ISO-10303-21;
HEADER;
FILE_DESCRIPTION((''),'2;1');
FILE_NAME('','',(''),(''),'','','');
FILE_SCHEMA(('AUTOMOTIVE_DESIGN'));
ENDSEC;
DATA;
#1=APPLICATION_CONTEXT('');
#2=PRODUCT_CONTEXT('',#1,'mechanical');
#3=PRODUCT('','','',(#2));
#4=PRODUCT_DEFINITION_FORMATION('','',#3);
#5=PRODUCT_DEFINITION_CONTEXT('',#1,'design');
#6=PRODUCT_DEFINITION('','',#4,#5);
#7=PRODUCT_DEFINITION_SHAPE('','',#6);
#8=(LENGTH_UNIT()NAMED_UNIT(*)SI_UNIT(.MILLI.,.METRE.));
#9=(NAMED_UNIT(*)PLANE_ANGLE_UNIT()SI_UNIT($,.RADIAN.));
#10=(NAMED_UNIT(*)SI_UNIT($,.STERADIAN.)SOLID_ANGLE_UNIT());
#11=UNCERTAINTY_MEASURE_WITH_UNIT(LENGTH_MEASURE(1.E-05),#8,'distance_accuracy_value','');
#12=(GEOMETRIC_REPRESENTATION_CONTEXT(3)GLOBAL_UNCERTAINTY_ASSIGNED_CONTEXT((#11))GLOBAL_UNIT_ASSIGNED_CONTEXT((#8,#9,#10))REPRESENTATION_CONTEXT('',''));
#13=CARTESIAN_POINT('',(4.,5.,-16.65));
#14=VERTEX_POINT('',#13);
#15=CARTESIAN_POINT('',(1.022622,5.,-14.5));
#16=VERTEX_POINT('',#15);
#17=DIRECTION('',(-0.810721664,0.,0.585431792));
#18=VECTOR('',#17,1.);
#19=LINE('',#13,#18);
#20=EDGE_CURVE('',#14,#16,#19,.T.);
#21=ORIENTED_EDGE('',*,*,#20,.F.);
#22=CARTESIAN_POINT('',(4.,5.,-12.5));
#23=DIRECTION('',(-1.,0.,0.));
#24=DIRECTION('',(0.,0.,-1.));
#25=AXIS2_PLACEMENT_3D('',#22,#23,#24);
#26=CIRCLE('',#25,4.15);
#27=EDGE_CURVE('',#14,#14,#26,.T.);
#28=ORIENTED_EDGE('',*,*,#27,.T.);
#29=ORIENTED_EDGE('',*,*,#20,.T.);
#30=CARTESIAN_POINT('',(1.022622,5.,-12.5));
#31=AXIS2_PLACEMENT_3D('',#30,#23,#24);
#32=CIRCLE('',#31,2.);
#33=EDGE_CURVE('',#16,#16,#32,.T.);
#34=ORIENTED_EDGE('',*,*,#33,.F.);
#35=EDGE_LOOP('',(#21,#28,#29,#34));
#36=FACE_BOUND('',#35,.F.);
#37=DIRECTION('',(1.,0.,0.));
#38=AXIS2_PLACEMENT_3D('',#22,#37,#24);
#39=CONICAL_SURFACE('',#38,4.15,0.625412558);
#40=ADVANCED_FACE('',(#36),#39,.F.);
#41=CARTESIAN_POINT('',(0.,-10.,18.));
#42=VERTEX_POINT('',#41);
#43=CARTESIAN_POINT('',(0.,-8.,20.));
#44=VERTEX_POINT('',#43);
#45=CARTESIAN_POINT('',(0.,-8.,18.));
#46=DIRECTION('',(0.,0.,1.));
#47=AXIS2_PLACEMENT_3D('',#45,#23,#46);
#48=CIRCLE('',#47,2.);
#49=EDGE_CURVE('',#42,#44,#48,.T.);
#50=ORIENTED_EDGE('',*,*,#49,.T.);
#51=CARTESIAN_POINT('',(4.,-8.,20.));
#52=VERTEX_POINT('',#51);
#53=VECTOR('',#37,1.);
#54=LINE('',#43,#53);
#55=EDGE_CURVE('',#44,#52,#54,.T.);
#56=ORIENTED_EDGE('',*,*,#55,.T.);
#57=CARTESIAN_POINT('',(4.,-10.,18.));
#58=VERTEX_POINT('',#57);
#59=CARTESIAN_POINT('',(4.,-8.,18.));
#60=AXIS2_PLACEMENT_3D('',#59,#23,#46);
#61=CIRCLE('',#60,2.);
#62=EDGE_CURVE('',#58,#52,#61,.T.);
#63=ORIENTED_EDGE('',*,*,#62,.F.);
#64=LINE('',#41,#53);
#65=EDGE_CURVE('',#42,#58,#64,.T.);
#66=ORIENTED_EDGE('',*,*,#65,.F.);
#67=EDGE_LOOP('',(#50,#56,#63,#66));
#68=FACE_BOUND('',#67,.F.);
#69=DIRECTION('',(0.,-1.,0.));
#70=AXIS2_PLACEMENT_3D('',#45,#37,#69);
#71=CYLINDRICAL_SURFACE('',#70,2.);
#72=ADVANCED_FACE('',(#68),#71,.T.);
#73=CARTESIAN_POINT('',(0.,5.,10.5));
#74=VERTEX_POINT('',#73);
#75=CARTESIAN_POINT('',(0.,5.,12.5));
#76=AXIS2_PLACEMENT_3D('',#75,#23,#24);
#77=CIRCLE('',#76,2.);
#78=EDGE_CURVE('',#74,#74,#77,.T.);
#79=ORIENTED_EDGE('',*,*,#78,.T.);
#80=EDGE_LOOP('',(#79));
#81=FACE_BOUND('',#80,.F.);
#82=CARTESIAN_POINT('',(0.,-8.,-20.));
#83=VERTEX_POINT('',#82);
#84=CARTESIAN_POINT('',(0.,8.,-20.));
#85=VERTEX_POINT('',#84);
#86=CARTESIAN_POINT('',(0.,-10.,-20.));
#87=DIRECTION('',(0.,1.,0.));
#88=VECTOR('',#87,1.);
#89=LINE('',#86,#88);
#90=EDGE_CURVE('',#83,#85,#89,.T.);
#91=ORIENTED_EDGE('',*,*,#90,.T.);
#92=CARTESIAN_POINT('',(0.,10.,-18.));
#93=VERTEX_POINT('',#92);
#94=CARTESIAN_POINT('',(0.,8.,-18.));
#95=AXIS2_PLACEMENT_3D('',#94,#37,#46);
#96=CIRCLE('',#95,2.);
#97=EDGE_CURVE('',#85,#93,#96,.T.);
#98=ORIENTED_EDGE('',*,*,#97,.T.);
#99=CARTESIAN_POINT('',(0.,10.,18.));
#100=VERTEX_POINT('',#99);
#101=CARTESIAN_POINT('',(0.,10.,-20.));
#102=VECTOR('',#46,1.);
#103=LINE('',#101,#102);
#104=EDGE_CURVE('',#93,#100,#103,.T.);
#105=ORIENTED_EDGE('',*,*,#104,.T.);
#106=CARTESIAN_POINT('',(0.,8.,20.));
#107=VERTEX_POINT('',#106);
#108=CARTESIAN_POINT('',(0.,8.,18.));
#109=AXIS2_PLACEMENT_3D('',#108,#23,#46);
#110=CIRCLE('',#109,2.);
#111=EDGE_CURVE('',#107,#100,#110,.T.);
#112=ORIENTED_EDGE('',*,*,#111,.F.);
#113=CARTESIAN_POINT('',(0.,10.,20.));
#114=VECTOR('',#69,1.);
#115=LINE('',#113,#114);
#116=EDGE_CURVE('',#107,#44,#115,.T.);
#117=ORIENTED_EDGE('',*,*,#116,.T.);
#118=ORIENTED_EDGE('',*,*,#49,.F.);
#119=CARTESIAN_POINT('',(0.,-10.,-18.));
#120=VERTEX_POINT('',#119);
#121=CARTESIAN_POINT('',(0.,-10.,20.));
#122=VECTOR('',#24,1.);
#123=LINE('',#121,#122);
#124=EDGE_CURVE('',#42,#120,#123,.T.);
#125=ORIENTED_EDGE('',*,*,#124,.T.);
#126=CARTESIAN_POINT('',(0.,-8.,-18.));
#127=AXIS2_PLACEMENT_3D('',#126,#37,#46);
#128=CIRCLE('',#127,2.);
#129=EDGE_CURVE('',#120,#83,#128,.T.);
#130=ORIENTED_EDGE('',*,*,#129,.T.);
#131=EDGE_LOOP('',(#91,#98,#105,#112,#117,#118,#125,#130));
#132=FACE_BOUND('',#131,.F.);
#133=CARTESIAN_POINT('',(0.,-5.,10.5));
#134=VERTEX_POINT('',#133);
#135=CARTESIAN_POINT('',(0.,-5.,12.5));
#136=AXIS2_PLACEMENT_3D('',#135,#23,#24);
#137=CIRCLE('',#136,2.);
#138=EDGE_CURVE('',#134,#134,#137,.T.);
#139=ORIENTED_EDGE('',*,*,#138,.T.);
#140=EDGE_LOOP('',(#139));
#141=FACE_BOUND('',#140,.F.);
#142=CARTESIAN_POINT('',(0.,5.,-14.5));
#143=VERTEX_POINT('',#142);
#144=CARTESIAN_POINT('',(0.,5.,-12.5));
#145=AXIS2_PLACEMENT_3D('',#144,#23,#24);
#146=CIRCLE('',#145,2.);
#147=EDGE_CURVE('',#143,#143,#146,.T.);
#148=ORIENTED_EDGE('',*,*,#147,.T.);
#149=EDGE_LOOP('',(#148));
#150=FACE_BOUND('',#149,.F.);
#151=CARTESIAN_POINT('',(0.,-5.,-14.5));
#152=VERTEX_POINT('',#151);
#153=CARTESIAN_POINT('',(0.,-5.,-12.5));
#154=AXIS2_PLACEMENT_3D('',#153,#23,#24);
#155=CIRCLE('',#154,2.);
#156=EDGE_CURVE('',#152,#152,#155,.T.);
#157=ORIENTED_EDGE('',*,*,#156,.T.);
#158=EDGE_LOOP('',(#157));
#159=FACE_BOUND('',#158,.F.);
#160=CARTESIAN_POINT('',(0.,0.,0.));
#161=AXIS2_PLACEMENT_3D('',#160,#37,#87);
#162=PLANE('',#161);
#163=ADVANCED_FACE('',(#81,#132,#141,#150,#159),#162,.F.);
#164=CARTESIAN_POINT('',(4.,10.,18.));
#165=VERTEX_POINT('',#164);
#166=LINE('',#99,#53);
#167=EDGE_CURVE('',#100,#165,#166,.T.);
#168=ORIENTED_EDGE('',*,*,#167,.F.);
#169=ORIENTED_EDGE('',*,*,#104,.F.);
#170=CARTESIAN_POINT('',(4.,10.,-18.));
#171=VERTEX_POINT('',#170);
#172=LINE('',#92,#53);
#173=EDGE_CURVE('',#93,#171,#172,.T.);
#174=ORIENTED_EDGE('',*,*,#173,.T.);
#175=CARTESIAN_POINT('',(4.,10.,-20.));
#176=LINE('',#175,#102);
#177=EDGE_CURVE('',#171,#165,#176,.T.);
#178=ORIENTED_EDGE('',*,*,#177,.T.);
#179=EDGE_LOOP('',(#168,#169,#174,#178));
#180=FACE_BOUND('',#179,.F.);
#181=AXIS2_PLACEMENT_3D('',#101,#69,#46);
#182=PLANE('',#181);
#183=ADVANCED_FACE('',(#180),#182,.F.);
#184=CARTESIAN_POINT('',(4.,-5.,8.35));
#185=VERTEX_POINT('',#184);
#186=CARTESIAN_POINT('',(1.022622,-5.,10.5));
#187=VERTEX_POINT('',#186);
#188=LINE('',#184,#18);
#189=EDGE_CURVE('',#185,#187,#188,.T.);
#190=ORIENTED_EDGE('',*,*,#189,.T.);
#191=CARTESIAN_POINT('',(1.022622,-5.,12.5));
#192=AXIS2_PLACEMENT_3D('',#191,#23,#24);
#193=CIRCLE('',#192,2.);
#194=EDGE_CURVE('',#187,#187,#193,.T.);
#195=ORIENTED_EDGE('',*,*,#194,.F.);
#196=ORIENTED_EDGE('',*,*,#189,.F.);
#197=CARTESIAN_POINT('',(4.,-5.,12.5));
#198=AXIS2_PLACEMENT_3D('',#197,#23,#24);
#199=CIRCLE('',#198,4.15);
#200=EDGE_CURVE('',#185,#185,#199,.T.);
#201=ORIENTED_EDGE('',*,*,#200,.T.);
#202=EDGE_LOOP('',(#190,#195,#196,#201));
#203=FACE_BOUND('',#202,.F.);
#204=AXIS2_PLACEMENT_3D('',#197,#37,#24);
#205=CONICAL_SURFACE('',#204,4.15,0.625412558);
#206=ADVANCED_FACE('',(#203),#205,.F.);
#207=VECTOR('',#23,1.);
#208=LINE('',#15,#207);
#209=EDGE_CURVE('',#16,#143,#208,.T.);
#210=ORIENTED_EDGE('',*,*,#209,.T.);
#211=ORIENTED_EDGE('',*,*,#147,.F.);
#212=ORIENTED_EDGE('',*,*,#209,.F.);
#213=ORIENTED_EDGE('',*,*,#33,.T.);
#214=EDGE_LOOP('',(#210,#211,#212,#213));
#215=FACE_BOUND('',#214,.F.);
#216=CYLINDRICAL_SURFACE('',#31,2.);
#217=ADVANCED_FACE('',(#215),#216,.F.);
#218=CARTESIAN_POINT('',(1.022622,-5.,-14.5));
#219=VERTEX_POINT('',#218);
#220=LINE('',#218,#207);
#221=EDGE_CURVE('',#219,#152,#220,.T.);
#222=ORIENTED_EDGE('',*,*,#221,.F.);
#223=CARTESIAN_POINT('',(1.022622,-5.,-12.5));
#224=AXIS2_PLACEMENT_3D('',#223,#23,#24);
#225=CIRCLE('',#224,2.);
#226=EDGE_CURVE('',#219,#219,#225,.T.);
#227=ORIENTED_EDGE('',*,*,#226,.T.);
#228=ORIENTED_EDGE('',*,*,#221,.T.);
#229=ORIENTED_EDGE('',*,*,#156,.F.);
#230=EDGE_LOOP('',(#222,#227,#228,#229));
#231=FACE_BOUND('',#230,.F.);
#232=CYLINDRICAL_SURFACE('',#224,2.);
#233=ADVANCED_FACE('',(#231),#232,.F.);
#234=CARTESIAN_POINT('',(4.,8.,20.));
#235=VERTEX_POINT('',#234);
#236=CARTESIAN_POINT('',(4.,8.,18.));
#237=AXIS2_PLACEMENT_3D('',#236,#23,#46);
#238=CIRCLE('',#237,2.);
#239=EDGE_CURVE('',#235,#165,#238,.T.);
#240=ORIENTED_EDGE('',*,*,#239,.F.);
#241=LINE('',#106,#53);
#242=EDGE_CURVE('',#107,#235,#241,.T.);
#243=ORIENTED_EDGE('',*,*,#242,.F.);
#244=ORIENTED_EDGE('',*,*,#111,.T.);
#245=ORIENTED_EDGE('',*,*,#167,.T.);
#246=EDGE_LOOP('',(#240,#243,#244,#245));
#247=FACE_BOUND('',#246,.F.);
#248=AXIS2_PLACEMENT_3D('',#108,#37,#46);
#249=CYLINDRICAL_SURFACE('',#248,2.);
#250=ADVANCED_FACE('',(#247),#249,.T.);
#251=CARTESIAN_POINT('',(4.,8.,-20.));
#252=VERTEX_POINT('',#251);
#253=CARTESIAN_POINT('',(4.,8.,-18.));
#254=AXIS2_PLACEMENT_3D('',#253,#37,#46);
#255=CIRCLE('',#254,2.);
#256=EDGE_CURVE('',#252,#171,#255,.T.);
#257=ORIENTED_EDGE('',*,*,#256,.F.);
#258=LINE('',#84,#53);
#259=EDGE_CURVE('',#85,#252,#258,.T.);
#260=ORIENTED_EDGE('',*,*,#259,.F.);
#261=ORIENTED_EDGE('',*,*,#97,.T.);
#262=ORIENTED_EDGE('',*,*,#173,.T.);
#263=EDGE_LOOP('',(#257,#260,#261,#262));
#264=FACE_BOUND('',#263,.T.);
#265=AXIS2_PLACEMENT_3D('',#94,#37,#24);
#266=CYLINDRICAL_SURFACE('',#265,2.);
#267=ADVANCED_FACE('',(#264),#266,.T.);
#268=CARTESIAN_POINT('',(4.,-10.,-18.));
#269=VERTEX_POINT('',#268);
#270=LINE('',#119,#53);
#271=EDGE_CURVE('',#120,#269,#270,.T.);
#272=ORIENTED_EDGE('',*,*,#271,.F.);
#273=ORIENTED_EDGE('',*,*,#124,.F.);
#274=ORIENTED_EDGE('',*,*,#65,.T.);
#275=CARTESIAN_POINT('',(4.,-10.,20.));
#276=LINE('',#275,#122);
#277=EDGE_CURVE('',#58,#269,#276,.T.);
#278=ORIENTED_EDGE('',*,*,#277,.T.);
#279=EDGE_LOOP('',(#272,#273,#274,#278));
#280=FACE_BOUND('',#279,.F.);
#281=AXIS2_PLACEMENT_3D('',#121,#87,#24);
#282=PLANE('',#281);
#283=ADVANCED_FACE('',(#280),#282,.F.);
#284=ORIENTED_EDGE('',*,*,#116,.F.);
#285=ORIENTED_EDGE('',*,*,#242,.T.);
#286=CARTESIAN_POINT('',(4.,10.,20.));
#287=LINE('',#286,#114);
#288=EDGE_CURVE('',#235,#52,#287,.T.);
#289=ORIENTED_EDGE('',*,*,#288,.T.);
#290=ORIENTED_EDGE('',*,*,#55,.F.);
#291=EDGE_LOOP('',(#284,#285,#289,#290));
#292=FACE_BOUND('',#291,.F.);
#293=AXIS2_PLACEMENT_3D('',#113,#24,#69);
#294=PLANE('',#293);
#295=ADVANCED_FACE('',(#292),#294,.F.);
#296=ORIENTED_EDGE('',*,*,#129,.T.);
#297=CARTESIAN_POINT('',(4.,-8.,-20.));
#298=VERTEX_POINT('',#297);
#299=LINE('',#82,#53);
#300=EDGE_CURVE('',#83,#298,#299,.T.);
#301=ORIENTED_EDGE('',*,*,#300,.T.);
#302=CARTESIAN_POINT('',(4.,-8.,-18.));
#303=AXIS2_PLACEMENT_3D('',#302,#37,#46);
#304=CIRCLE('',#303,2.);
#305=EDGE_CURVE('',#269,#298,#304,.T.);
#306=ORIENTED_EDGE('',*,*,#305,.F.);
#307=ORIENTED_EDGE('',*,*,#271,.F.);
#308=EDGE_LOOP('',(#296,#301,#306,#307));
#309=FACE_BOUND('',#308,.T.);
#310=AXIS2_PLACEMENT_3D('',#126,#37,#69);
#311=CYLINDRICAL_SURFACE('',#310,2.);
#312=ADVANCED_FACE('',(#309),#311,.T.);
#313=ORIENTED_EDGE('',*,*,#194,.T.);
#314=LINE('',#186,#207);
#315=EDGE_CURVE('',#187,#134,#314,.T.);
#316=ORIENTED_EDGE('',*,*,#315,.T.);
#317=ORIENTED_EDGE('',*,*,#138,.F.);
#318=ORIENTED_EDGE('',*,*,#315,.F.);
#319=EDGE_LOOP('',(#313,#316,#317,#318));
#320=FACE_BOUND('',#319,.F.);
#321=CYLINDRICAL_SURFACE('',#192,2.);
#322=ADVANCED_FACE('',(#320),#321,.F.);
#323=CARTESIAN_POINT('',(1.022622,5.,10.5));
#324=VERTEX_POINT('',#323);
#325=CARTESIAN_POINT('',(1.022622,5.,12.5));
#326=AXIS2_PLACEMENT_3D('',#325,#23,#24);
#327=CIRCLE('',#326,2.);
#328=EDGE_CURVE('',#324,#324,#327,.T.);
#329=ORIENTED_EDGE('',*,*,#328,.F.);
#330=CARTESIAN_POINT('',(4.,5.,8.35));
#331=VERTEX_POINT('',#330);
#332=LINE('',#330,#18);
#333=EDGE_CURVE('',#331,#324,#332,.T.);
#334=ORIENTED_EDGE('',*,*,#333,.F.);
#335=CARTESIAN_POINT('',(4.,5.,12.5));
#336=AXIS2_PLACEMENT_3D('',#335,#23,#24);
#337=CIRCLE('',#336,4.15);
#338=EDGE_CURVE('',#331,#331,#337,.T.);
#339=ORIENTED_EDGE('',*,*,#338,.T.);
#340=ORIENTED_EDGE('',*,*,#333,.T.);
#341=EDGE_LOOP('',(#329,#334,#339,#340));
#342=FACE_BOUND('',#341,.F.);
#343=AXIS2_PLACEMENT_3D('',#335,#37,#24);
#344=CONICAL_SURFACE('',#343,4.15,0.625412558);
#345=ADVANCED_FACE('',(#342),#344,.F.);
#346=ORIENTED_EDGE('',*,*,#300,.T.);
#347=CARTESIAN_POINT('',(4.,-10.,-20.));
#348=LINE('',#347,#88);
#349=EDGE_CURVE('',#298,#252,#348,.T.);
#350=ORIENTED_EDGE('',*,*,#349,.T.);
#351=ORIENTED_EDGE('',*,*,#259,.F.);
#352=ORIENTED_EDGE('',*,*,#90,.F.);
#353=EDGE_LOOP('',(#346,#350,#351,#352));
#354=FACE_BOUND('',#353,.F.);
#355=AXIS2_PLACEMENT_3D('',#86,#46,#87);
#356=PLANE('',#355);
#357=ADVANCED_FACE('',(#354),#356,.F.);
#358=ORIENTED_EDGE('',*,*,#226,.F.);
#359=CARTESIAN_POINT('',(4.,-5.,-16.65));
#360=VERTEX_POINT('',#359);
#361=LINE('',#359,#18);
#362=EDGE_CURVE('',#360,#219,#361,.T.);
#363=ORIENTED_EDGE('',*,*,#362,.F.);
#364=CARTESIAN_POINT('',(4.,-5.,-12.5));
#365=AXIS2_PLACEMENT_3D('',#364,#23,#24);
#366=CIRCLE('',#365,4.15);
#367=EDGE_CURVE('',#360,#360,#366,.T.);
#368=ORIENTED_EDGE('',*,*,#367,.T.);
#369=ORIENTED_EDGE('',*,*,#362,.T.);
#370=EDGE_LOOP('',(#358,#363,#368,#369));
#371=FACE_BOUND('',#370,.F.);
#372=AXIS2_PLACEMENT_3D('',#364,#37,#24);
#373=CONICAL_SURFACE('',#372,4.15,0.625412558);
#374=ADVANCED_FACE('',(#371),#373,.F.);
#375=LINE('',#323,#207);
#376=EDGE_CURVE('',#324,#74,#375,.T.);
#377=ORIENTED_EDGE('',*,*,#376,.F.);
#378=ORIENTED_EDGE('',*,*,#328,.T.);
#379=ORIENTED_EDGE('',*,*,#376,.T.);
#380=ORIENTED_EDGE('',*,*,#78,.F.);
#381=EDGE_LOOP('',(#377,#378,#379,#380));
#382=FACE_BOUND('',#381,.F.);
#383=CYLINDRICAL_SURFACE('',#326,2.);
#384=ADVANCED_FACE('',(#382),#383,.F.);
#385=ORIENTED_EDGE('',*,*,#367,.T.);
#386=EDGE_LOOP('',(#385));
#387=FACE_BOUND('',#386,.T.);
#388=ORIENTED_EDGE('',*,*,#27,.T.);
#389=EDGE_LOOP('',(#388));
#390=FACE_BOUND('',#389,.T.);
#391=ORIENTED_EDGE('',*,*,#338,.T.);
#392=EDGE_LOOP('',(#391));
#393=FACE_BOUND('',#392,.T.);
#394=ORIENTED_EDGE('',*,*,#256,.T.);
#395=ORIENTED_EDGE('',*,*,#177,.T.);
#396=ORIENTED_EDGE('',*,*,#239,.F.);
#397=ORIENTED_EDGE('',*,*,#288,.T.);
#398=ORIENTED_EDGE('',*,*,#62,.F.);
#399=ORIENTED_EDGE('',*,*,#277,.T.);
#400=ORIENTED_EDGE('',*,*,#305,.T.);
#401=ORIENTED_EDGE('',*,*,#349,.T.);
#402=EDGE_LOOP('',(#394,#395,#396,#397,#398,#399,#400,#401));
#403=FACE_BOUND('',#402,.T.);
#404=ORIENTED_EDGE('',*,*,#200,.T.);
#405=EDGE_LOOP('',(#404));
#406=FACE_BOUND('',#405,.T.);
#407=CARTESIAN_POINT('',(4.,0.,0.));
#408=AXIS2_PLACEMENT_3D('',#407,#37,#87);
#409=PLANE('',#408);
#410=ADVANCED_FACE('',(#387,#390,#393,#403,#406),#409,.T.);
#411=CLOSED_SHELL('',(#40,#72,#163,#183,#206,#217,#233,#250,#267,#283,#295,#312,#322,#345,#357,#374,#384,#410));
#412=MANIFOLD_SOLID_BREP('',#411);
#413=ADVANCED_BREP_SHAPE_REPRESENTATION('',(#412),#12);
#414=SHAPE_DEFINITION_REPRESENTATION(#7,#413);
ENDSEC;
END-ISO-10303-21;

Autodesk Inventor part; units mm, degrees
ref_plane "YZ Plane" through (0, 0, 0) normal (1, 0, 0) x (0, 1, 0)
ref_plane "XZ Plane" through (0, 0, 0) normal (0, 1, 0) x (-1, 0, 0)
ref_plane "XY Plane" through (0, 0, 0) normal (0, 0, 1) x (1, 0, 0)
sketch "Leg_Base_Skt" plane through (0, 0, 0) normal (1, 0, 0) x (0, 1, 0)
  line L0 (-10, -20) -> (10, -20)
  line L1 (10, -20) -> (10, 20)
  line L2 (10, 20) -> (-10, 20)
  line L3 (-10, 20) -> (-10, -20)
  line L4 (-10, -20) -> (10, 20) construction
  line L5 (10, -20) -> (-10, 20) construction
  point P0 (0, 0)
  dimension "d0" = 20
  dimension "d1" = 40
extrude "Leg_Base" add sketch "Leg_Base_Skt" along normal blind 4
sketch "Hole_Base_Skt" plane through (4, 0, 0) normal (1, 0, 0) x (0, 0, -1)
  line L0 (-5, -10) -> (-5, 10) construction
  line L1 (20, 10) -> (-20, 10) projected
  line L2 (-12.5, 0) -> (-12.5, 10) construction
  line L3 (-12.5, 0) -> (-12.5, -10) construction
  line L4 (-20, -10) -> (20, -10) construction
  line L5 (5, -10) -> (5, 10) construction
  line L6 (20, -10) -> (20, 10) construction
  line L7 (5, 0) -> (20, 0) construction
  line L8 (12.5, 0) -> (12.5, 10) construction
  line L9 (12.5, 0) -> (12.5, -10) construction
  line L10 (-20, 10) -> (-20, -10) projected
  line L11 (-20, 0) -> (-5, 0) construction
  point P0 (0, 0)
  point P1 (-12.5, -5)
  point P2 (-12.5, 5)
  point P3 (12.5, -5)
  point P4 (12.5, 5)
  dimension "d7" = 15
  dimension "d8" = 15
hole "Hole_Base" at (4, -5, 12.5) at (4, 5, 12.5) at (4, -5, -12.5) at (4, 5, -12.5) direction (-1, 0, 0) diameter 4 end through all countersink diameter 8.3 countersink angle 71.667
fillet "Fillet" radius 2 4 edges at (2, -10, 20) (2, 10, 20) (2, -10, -20) (2, 10, -20)
equation "\"d0\" = block_width"
equation "\"d1\" = ceramic_width + block_height + wood_width"
equation "\"d2\" = screw_head_height + screw_tolerance"
equation "\"d7\" = wood_width"
equation "\"d8\" = block_height"
equation "\"d28\" = screw_body_diam + screw_tolerance"
equation "\"d32\" = screw_head_m"
equation "\"d30\" = screw_head_diam"
equation "\"d33\" = screw_length"
equation "\"d4\" = fillet"
equation "\"tube_diam\" = 31.8"
equation "\"tube_tolerance\" = 0.25"
equation "\"tube_base_height\" = 2"
equation "\"tube_wall_width\" = 3"
equation "\"tube_wall_height\" = 15"
equation "\"screw_wall_width\" = 2"
equation "\"screw_length\" = 12.7"
equation "\"screw_tolerance\" = 1"
equation "\"screw_body_diam\" = 3"
equation "\"screw_head_diam\" = 8.3"
equation "\"screw_head_height\" = 3"
equation "\"screw_spacing\" = 8"
equation "\"block_width\" = 20"
equation "\"block_height\" = 15"
equation "\"ceramic_width\" = 10"
equation "\"wood_width\" = 15"
equation "\"fillet\" = 2"
equation "\"screw_head_m\" = 71.6667deg"
properties part number "Counter_Support_Ceramic_Leg"
